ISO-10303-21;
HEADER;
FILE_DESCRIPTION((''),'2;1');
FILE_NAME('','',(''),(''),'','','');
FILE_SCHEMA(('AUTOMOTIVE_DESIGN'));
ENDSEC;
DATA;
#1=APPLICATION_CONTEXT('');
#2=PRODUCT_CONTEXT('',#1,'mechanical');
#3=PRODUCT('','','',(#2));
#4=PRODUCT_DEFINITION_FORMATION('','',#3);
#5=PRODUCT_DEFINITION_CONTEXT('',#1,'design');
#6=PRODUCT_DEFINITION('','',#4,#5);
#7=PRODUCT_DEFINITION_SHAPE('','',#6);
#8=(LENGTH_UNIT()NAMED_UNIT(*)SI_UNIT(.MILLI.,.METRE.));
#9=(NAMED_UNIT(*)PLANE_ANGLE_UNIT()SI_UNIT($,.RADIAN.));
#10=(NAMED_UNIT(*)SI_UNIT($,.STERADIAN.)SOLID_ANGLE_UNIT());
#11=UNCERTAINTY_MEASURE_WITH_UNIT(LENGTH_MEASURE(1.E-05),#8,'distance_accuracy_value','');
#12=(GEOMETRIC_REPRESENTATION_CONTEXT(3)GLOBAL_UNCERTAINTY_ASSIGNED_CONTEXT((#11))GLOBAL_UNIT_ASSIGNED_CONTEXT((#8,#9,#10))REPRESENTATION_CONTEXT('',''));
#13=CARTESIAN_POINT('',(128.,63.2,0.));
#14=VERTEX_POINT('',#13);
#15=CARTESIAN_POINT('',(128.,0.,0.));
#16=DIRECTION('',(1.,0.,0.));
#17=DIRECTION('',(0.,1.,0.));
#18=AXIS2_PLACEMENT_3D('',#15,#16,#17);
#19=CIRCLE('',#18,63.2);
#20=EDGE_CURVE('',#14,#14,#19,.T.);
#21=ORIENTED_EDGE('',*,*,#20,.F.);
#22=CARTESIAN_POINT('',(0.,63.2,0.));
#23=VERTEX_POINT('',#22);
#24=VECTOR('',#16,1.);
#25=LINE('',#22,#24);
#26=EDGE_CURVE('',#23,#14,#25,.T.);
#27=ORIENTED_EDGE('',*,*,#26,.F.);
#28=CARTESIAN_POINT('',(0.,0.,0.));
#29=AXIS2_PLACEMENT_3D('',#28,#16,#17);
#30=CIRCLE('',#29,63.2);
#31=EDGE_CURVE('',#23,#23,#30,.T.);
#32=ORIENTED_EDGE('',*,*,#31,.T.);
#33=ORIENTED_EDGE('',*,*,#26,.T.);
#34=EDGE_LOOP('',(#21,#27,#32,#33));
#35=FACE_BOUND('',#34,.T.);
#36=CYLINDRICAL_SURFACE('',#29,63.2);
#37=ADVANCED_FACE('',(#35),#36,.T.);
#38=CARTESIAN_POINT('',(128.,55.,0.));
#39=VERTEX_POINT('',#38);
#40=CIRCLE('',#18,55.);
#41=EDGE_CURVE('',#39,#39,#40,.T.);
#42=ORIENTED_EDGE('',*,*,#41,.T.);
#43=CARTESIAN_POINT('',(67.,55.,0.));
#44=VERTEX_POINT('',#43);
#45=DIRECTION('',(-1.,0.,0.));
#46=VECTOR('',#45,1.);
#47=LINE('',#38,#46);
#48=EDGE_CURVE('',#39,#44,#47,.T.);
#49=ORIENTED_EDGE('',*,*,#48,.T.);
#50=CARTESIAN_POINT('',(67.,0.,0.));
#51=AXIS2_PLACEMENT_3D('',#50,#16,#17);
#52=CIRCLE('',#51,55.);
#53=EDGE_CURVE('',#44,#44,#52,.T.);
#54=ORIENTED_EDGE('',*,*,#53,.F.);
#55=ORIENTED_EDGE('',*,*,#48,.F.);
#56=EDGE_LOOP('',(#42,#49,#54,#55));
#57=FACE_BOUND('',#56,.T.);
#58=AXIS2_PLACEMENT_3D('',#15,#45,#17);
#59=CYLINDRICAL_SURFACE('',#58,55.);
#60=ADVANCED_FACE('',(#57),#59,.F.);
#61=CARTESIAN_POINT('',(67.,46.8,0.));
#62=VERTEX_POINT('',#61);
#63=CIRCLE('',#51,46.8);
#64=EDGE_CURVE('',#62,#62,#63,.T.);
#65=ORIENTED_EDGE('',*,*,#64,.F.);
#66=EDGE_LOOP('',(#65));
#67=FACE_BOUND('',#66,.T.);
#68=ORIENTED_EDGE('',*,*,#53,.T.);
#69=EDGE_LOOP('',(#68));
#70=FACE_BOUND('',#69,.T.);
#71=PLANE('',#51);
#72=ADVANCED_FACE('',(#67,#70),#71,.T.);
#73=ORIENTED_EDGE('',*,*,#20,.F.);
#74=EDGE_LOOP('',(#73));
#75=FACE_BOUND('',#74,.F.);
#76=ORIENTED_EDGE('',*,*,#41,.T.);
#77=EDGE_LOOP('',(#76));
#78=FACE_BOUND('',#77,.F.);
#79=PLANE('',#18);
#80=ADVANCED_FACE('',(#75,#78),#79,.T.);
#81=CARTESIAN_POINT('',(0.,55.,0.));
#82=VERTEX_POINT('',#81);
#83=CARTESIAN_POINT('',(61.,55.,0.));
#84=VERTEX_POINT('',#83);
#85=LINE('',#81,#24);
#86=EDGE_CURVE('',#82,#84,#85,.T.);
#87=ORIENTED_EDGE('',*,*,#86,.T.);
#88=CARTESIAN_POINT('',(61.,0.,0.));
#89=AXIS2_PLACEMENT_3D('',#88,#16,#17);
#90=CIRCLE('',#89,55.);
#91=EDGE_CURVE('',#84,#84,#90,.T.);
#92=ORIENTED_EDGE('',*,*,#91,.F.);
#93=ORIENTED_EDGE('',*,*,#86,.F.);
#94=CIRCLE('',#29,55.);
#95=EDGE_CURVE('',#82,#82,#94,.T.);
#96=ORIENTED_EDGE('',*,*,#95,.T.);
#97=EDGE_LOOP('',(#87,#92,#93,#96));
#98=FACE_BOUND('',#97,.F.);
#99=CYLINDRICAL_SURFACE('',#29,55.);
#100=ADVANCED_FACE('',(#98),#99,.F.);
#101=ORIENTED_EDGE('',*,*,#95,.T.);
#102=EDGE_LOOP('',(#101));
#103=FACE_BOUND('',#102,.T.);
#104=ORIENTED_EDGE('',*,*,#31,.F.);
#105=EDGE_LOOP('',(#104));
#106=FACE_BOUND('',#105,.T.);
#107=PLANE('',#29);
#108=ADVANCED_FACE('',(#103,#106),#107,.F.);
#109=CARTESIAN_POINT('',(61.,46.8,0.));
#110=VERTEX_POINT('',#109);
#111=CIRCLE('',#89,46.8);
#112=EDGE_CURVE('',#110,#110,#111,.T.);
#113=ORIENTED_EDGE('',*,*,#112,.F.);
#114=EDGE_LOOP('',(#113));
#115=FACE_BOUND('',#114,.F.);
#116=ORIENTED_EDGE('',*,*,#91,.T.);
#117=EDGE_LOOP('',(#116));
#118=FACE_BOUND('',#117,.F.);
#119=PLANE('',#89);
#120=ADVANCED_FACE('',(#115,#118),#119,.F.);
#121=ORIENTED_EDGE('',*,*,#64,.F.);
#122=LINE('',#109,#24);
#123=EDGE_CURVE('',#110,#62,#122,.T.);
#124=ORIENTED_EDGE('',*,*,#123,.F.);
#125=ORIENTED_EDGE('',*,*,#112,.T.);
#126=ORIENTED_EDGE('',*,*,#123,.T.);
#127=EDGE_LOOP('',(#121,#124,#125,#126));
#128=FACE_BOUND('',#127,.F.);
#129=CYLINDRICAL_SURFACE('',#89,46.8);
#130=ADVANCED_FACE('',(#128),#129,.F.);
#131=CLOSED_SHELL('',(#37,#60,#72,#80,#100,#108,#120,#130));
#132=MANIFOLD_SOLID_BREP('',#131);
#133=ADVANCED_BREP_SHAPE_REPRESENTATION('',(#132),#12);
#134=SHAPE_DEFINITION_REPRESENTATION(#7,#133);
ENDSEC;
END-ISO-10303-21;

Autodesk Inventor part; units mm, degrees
ref_plane "YZ Plane" through (0, 0, 0) normal (1, 0, 0) x (0, 1, 0)
ref_plane "XZ Plane" through (0, 0, 0) normal (0, 1, 0) x (-1, 0, 0)
ref_plane "XY Plane" through (0, 0, 0) normal (0, 0, 1) x (1, 0, 0)
sketch "Sketch1" plane through (0, 0, 0) normal (0, 0, 1) x (1, 0, 0)
  line L0 (0, 0) -> (128, 0)
  line L1 (0, 0) -> (0, 55) construction
  line L2 (0, 55) -> (0, 63.2)
  line L3 (0, 63.2) -> (128, 63.2)
  line L4 (0, 55) -> (61, 55)
  line L5 (61, 55) -> (61, 46.8)
  line L6 (61, 46.8) -> (67, 46.8)
  line L7 (64, 0) -> (64, 63.2) construction
  line L8 (128, 0) -> (128, 55) construction
  line L9 (128, 55) -> (128, 63.2)
  line L10 (128, 55) -> (67, 55)
  line L11 (67, 55) -> (67, 46.8)
  line L12 (61, 46.8) -> (61, 0) construction
  line L13 (67, 46.8) -> (67, 0) construction
  dimension "d0" = 110
  dimension "d2" = 8.2
  dimension "d3" = 6
  dimension "d4" = 61
  dimension "d5" = 8.2
revolve "Revolution1" add sketch "Sketch1" angle 360 about axis through (0, 0, 0) along (1, 0, 0)
equation "\"d0\" = d1"
equation "\"d2\" = s1"
equation "\"d3\" = z1"
equation "\"d4\" = t1"
equation "\"d5\" = s1"
equation "\"d1\" = 110"
equation "\"t1\" = 61"
equation "\"z1\" = 6"
equation "\"s1\" = 8.2"
properties part number "DIN 8063 Муфта, тип M 110" material "ПВХ, непластифицированный"
